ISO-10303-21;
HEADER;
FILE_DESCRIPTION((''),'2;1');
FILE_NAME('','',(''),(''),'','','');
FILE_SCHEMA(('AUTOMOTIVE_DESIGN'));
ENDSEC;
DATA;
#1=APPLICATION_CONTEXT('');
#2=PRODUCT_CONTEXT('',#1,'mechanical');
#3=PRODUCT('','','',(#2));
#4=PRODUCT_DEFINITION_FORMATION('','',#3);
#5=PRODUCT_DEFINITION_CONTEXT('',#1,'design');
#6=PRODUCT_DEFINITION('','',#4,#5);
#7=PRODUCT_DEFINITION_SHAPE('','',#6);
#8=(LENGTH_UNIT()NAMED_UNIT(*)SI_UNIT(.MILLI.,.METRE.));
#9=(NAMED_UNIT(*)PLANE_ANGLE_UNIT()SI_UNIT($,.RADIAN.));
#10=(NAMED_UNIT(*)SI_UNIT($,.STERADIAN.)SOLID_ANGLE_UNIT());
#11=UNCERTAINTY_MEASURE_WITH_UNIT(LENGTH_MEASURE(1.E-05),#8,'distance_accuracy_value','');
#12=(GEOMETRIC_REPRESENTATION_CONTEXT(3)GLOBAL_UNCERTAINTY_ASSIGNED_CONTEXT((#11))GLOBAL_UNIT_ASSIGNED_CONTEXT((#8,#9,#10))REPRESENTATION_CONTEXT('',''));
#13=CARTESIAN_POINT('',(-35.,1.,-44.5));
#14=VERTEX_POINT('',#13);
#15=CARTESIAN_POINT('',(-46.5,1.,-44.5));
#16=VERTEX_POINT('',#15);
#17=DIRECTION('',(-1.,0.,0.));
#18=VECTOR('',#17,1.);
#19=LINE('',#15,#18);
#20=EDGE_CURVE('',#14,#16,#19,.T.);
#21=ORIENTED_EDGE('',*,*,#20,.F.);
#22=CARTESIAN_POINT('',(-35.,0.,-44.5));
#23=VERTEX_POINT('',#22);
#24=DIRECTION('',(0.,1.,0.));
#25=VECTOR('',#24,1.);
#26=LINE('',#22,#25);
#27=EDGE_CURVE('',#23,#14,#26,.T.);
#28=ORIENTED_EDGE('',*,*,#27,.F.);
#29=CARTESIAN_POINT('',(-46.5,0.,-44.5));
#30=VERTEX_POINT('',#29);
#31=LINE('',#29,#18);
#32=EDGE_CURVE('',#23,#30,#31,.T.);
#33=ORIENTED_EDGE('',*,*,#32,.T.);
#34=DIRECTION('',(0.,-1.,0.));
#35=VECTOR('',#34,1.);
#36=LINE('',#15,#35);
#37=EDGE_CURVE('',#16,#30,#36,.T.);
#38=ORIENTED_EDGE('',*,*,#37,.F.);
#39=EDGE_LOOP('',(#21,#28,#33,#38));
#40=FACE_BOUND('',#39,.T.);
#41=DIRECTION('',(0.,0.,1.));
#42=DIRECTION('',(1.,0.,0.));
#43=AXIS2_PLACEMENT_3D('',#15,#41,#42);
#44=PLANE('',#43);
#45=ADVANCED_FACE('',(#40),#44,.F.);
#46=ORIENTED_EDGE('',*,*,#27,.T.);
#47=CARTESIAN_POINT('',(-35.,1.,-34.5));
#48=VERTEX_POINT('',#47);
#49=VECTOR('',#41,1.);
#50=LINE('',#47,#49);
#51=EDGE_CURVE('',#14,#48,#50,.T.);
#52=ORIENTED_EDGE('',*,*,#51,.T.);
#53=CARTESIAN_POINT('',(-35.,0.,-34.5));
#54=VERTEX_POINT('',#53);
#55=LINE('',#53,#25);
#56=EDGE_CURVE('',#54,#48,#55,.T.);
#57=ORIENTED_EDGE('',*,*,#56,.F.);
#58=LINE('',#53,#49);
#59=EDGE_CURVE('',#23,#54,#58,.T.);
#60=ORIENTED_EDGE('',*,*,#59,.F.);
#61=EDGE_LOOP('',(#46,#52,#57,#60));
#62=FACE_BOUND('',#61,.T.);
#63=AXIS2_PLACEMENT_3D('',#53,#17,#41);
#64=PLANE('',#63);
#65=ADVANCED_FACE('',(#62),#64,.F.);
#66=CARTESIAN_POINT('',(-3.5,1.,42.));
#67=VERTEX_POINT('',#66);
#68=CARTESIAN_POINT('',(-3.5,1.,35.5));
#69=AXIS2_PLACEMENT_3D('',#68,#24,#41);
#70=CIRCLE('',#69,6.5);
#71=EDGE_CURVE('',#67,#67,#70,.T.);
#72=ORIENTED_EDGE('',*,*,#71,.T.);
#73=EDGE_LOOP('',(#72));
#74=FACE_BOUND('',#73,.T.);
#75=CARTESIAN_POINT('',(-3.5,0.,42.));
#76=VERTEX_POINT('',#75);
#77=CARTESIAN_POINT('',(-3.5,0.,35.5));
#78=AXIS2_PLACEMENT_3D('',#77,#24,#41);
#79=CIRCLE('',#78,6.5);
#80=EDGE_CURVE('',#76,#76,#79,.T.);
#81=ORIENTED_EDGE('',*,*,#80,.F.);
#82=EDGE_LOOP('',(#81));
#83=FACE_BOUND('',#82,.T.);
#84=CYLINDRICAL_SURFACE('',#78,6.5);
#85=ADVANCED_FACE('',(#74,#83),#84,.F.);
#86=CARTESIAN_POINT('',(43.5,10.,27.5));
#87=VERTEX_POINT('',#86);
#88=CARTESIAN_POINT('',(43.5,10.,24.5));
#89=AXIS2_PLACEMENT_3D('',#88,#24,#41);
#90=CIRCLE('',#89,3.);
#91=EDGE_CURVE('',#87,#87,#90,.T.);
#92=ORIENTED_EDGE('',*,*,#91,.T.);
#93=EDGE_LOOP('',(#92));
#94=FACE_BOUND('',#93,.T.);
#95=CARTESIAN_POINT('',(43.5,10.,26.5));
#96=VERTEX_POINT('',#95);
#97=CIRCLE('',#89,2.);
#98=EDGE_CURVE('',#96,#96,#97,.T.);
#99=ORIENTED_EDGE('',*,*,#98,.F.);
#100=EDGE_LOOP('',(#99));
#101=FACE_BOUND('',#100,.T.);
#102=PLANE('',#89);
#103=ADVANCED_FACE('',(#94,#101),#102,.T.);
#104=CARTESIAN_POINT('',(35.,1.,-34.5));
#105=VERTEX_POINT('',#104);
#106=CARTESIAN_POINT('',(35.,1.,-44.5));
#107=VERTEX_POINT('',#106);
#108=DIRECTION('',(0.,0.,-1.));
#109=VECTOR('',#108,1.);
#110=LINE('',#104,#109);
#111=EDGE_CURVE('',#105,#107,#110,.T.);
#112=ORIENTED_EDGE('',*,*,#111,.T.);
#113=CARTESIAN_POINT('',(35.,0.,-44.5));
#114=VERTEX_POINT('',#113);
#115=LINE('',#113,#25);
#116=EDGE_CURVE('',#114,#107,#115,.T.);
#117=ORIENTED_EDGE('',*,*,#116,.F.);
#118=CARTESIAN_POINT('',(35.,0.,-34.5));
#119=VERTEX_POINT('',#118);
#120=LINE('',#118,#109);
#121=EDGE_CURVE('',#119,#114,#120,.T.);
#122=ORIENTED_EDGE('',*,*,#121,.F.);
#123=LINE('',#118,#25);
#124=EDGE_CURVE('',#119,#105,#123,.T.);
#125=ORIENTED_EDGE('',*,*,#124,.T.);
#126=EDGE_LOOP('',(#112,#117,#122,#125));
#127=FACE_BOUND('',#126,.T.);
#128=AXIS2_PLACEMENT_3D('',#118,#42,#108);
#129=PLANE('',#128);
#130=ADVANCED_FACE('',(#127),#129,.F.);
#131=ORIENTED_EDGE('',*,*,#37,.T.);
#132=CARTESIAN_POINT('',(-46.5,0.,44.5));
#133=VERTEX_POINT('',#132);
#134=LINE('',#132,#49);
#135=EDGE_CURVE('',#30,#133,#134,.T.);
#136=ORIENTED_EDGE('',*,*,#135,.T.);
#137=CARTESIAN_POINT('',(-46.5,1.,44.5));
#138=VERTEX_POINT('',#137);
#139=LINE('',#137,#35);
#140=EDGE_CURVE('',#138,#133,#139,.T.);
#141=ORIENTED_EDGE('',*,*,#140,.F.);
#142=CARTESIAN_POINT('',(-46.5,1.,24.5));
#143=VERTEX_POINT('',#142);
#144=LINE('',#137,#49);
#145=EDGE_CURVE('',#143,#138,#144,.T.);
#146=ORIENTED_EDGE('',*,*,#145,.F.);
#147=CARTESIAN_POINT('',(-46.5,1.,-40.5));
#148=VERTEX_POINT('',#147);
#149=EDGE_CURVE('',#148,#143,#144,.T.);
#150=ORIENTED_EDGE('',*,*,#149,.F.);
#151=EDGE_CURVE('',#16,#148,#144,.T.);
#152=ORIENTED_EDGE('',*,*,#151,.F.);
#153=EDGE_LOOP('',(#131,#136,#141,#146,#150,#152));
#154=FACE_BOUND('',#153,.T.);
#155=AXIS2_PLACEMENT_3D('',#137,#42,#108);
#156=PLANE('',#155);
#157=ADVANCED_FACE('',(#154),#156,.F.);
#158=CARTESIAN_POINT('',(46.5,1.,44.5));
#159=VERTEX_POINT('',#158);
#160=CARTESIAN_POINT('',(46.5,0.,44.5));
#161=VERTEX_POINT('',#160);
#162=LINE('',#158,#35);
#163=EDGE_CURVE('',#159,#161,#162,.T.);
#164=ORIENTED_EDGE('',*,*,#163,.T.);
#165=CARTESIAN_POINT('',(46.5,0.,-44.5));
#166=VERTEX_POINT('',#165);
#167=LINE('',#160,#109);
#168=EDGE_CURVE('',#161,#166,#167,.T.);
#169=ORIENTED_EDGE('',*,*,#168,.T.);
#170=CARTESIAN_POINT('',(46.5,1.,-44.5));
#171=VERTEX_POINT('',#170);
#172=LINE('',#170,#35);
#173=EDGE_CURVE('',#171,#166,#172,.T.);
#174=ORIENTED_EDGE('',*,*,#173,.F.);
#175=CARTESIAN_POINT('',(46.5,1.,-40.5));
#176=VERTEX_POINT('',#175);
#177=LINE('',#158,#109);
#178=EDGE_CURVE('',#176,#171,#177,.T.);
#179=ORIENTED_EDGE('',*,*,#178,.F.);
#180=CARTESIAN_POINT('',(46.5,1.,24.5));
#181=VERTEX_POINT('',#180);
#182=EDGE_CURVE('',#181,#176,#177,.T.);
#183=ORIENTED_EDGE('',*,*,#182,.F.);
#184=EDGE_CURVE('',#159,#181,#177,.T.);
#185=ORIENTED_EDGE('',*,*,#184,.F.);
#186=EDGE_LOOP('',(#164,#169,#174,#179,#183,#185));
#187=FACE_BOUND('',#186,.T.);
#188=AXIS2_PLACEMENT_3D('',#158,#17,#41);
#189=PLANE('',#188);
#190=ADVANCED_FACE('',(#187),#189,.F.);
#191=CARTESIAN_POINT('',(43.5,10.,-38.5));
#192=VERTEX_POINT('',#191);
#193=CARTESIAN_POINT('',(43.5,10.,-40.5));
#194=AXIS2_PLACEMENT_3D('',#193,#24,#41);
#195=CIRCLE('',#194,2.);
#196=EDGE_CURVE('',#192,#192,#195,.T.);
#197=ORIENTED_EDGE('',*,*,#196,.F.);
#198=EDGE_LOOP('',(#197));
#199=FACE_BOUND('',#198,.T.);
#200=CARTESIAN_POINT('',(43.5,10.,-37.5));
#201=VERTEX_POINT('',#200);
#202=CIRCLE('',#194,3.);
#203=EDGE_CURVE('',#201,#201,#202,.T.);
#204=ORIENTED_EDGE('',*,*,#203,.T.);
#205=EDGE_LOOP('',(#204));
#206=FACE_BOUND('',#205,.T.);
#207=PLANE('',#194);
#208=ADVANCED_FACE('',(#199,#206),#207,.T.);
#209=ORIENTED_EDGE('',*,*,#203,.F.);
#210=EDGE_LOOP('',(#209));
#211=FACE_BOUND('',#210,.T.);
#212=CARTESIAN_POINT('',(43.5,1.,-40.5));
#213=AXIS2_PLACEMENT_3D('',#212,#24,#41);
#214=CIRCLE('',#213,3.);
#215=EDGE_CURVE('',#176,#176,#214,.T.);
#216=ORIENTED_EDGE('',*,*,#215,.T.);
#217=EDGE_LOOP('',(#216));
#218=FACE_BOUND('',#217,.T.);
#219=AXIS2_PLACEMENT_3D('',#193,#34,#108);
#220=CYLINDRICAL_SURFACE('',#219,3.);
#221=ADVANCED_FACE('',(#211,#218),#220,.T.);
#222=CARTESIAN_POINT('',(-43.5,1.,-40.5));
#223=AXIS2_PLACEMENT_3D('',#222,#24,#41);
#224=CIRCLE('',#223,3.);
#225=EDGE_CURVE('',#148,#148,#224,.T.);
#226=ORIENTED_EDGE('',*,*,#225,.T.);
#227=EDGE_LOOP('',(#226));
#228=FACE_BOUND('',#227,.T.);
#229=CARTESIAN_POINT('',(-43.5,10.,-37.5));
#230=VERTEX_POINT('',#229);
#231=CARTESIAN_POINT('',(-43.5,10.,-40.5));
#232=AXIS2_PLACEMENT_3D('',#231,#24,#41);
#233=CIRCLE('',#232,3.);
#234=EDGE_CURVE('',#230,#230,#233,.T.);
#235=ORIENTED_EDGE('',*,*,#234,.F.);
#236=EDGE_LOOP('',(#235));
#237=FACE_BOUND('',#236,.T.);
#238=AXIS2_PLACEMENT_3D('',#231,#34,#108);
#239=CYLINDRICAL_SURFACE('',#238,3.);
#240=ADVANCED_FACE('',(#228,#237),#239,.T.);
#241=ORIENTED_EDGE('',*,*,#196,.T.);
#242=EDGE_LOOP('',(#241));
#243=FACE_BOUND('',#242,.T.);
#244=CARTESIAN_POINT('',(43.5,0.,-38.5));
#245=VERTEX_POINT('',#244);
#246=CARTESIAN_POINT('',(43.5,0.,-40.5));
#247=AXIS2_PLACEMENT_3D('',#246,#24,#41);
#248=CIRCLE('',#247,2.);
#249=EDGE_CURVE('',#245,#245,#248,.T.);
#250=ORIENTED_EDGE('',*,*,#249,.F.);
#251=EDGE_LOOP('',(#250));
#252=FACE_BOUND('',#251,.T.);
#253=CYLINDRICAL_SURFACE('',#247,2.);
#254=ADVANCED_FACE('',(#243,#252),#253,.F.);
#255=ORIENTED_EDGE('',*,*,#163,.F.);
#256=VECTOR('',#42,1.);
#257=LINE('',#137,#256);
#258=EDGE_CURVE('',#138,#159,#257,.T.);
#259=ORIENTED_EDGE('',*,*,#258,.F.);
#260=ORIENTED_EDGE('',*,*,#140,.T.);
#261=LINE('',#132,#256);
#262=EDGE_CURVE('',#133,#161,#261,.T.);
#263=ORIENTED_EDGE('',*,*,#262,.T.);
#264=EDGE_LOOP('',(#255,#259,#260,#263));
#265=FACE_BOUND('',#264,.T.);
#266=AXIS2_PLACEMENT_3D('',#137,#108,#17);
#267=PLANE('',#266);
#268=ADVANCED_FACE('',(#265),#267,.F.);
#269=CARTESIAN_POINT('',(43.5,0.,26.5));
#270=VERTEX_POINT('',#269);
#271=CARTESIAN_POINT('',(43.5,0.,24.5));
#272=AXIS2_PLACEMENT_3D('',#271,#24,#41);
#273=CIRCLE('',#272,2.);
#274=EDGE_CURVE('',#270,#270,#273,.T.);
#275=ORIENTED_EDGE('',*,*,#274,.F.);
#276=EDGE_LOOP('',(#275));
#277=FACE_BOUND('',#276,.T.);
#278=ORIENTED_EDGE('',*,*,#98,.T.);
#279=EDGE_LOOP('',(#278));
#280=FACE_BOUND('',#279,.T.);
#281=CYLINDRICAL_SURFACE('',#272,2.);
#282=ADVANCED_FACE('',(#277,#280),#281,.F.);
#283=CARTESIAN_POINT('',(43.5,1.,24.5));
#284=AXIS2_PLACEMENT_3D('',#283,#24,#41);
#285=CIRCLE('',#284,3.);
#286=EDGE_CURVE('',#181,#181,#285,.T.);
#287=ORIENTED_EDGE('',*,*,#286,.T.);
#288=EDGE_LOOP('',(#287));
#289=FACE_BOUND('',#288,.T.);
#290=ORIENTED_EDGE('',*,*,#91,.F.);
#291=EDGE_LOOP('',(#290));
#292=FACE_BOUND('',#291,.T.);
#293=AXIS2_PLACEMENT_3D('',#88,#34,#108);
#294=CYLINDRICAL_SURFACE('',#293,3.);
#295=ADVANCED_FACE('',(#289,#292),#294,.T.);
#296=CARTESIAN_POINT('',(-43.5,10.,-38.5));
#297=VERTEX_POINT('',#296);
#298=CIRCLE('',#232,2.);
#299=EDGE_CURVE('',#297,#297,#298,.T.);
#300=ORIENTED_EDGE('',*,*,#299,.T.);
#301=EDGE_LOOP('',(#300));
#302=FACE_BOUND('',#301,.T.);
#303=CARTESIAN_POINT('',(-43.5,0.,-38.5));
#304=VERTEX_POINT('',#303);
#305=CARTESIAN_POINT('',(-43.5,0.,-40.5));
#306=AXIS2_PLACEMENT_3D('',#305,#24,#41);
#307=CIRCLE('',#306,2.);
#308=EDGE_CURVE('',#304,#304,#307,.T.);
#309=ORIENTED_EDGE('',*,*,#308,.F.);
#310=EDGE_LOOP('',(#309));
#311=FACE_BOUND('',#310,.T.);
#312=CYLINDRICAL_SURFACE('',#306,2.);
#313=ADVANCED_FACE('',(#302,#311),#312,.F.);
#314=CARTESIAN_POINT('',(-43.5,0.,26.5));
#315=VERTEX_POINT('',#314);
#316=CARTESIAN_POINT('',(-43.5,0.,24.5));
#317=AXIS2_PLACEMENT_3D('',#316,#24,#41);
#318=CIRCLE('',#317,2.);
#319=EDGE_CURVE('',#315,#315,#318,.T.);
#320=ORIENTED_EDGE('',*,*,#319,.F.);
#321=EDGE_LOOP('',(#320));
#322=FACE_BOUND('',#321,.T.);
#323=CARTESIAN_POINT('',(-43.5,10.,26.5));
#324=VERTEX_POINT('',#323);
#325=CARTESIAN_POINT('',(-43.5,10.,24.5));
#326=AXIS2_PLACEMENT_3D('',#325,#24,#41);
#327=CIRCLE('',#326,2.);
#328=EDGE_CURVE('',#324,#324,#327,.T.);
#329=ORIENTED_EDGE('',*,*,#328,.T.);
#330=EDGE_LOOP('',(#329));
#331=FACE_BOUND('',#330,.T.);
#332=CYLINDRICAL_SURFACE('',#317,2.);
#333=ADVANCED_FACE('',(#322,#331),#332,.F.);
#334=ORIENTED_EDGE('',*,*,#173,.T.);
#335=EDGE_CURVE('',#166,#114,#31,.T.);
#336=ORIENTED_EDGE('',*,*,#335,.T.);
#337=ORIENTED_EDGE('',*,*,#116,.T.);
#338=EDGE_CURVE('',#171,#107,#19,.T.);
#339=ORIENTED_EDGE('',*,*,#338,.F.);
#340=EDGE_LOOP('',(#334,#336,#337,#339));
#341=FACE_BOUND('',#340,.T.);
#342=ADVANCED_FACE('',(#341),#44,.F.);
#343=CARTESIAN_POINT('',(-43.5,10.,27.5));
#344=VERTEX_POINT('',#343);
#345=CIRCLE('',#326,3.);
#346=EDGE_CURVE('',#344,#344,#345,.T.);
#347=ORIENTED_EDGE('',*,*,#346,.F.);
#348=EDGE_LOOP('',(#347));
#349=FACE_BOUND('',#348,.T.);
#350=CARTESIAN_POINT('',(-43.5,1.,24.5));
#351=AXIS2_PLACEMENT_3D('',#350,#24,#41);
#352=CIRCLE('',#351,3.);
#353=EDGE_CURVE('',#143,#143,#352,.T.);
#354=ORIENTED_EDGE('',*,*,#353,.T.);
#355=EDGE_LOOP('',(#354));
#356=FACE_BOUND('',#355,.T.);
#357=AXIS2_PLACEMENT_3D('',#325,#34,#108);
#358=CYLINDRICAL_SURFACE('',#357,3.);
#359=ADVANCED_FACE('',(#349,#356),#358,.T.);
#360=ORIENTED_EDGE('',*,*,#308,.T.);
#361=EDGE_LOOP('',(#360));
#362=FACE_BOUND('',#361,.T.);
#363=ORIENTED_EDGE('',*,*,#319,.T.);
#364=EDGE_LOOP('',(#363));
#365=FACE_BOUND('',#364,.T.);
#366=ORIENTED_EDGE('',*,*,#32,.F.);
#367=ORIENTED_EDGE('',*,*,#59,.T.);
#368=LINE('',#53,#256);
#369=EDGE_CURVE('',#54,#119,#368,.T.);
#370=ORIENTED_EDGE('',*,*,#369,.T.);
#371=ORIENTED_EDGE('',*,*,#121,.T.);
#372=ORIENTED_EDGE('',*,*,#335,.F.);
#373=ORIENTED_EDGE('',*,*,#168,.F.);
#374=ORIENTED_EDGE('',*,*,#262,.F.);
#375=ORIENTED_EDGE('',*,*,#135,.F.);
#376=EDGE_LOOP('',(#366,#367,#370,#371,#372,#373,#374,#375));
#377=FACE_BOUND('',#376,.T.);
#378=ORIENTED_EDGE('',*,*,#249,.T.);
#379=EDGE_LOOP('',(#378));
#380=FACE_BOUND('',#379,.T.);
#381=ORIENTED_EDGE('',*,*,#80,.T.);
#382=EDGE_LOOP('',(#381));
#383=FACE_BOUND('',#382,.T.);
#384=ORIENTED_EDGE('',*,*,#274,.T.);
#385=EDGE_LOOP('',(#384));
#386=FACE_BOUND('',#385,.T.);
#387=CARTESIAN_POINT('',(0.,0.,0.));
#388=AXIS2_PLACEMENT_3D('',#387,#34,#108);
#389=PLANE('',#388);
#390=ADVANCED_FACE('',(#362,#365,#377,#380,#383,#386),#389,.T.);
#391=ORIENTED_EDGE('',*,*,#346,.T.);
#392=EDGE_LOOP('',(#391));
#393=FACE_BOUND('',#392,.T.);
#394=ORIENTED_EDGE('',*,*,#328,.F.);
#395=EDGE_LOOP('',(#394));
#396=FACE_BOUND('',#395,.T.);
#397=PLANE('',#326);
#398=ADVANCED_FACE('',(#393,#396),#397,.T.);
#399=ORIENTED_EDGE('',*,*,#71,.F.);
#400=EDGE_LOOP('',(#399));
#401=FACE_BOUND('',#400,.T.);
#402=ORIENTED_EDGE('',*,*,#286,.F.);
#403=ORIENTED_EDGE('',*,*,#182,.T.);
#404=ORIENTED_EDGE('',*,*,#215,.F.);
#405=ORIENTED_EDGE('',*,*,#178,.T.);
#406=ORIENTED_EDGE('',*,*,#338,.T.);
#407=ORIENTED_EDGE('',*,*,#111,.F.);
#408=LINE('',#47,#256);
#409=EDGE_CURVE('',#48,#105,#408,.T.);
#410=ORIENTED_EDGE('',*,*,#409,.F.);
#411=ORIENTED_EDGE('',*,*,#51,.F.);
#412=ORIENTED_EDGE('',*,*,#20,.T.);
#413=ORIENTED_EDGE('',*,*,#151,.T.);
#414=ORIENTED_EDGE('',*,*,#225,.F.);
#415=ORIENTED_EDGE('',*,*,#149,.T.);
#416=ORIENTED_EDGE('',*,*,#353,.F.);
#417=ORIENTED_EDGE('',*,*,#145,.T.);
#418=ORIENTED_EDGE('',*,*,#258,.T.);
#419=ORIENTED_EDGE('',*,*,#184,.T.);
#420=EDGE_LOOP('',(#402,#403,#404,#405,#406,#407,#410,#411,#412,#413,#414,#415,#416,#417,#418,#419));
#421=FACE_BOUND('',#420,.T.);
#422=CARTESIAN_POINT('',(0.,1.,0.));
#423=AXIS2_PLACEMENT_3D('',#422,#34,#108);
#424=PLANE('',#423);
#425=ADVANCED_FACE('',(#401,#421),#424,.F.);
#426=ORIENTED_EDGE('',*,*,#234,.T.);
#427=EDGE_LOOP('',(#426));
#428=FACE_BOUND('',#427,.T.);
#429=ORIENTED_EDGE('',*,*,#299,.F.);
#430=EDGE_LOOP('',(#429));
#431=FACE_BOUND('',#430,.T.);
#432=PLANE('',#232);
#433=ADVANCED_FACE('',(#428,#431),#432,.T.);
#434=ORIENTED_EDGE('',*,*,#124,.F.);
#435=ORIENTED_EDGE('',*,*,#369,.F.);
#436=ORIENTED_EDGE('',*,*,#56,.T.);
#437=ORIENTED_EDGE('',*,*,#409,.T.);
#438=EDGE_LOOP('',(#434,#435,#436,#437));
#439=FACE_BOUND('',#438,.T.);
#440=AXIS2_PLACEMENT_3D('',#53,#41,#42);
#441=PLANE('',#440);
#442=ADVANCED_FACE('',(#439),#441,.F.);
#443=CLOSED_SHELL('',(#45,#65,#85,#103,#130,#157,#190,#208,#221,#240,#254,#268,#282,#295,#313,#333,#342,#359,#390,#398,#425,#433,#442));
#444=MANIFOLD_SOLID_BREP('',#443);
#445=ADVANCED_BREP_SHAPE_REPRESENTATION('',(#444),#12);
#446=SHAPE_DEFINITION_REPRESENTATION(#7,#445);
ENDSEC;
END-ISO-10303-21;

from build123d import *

# Parameters (mm, degrees)
SKETCH1_W           = 93
SKETCH1_H           = 89
BOSS_EXTRUDE1_DEPTH = 1
SKETCH2_R           = 3
BOSS_EXTRUDE2_DEPTH = 9
SKETCH3_R           = 6.5
SKETCH3_W           = 70
SKETCH3_H           = 10
CUT_EXTRUDE4_DEPTH  = 1
SKETCH4_R           = 2
CUT_EXTRUDE5_DEPTH  = 10


with BuildPart() as part:
    # Sketch1 → Boss-Extrude1 (new body)
    with BuildSketch(Plane(origin=(0, 0, 0), x_dir=(1, 0, 0), z_dir=(0, 1, 0))):
        Rectangle(SKETCH1_W, SKETCH1_H)
    extrude(amount=BOSS_EXTRUDE1_DEPTH)

    # Sketch2 → Boss-Extrude2 (add)
    with BuildSketch(Plane(origin=(0, 1, 0), x_dir=(1, 0, 0), z_dir=(0, 1, 0))):
        with Locations((-43.5, 40.5)):
            Circle(SKETCH2_R)
        with Locations((43.5, 40.5)):
            Circle(SKETCH2_R)
        with Locations((-43.5, -24.5)):
            Circle(SKETCH2_R)
        with Locations((43.5, -24.5)):
            Circle(SKETCH2_R)
    extrude(amount=BOSS_EXTRUDE2_DEPTH)

    # Sketch3 → Cut-Extrude4 (cut)
    with BuildSketch(Plane(origin=(0, 1, 0), x_dir=(1, 0, 0), z_dir=(0, 1, 0))):
        with Locations((-3.5, -35.5)):
            Circle(SKETCH3_R)
        with Locations((0, 39.5)):
            Rectangle(SKETCH3_W, SKETCH3_H)
    extrude(amount=-CUT_EXTRUDE4_DEPTH, mode=Mode.SUBTRACT)

    # Sketch4 → Cut-Extrude5 (cut)
    with BuildSketch(Plane(origin=(0, 10, 0), x_dir=(1, 0, 0), z_dir=(0, 1, 0))):
        with Locations((-43.5, 40.5)):
            Circle(SKETCH4_R)
        with Locations((-43.5, -24.5)):
            Circle(SKETCH4_R)
        with Locations((43.5, 40.5)):
            Circle(SKETCH4_R)
        with Locations((43.5, -24.5)):
            Circle(SKETCH4_R)
    extrude(amount=-CUT_EXTRUDE5_DEPTH, mode=Mode.SUBTRACT)


solid = part.part
